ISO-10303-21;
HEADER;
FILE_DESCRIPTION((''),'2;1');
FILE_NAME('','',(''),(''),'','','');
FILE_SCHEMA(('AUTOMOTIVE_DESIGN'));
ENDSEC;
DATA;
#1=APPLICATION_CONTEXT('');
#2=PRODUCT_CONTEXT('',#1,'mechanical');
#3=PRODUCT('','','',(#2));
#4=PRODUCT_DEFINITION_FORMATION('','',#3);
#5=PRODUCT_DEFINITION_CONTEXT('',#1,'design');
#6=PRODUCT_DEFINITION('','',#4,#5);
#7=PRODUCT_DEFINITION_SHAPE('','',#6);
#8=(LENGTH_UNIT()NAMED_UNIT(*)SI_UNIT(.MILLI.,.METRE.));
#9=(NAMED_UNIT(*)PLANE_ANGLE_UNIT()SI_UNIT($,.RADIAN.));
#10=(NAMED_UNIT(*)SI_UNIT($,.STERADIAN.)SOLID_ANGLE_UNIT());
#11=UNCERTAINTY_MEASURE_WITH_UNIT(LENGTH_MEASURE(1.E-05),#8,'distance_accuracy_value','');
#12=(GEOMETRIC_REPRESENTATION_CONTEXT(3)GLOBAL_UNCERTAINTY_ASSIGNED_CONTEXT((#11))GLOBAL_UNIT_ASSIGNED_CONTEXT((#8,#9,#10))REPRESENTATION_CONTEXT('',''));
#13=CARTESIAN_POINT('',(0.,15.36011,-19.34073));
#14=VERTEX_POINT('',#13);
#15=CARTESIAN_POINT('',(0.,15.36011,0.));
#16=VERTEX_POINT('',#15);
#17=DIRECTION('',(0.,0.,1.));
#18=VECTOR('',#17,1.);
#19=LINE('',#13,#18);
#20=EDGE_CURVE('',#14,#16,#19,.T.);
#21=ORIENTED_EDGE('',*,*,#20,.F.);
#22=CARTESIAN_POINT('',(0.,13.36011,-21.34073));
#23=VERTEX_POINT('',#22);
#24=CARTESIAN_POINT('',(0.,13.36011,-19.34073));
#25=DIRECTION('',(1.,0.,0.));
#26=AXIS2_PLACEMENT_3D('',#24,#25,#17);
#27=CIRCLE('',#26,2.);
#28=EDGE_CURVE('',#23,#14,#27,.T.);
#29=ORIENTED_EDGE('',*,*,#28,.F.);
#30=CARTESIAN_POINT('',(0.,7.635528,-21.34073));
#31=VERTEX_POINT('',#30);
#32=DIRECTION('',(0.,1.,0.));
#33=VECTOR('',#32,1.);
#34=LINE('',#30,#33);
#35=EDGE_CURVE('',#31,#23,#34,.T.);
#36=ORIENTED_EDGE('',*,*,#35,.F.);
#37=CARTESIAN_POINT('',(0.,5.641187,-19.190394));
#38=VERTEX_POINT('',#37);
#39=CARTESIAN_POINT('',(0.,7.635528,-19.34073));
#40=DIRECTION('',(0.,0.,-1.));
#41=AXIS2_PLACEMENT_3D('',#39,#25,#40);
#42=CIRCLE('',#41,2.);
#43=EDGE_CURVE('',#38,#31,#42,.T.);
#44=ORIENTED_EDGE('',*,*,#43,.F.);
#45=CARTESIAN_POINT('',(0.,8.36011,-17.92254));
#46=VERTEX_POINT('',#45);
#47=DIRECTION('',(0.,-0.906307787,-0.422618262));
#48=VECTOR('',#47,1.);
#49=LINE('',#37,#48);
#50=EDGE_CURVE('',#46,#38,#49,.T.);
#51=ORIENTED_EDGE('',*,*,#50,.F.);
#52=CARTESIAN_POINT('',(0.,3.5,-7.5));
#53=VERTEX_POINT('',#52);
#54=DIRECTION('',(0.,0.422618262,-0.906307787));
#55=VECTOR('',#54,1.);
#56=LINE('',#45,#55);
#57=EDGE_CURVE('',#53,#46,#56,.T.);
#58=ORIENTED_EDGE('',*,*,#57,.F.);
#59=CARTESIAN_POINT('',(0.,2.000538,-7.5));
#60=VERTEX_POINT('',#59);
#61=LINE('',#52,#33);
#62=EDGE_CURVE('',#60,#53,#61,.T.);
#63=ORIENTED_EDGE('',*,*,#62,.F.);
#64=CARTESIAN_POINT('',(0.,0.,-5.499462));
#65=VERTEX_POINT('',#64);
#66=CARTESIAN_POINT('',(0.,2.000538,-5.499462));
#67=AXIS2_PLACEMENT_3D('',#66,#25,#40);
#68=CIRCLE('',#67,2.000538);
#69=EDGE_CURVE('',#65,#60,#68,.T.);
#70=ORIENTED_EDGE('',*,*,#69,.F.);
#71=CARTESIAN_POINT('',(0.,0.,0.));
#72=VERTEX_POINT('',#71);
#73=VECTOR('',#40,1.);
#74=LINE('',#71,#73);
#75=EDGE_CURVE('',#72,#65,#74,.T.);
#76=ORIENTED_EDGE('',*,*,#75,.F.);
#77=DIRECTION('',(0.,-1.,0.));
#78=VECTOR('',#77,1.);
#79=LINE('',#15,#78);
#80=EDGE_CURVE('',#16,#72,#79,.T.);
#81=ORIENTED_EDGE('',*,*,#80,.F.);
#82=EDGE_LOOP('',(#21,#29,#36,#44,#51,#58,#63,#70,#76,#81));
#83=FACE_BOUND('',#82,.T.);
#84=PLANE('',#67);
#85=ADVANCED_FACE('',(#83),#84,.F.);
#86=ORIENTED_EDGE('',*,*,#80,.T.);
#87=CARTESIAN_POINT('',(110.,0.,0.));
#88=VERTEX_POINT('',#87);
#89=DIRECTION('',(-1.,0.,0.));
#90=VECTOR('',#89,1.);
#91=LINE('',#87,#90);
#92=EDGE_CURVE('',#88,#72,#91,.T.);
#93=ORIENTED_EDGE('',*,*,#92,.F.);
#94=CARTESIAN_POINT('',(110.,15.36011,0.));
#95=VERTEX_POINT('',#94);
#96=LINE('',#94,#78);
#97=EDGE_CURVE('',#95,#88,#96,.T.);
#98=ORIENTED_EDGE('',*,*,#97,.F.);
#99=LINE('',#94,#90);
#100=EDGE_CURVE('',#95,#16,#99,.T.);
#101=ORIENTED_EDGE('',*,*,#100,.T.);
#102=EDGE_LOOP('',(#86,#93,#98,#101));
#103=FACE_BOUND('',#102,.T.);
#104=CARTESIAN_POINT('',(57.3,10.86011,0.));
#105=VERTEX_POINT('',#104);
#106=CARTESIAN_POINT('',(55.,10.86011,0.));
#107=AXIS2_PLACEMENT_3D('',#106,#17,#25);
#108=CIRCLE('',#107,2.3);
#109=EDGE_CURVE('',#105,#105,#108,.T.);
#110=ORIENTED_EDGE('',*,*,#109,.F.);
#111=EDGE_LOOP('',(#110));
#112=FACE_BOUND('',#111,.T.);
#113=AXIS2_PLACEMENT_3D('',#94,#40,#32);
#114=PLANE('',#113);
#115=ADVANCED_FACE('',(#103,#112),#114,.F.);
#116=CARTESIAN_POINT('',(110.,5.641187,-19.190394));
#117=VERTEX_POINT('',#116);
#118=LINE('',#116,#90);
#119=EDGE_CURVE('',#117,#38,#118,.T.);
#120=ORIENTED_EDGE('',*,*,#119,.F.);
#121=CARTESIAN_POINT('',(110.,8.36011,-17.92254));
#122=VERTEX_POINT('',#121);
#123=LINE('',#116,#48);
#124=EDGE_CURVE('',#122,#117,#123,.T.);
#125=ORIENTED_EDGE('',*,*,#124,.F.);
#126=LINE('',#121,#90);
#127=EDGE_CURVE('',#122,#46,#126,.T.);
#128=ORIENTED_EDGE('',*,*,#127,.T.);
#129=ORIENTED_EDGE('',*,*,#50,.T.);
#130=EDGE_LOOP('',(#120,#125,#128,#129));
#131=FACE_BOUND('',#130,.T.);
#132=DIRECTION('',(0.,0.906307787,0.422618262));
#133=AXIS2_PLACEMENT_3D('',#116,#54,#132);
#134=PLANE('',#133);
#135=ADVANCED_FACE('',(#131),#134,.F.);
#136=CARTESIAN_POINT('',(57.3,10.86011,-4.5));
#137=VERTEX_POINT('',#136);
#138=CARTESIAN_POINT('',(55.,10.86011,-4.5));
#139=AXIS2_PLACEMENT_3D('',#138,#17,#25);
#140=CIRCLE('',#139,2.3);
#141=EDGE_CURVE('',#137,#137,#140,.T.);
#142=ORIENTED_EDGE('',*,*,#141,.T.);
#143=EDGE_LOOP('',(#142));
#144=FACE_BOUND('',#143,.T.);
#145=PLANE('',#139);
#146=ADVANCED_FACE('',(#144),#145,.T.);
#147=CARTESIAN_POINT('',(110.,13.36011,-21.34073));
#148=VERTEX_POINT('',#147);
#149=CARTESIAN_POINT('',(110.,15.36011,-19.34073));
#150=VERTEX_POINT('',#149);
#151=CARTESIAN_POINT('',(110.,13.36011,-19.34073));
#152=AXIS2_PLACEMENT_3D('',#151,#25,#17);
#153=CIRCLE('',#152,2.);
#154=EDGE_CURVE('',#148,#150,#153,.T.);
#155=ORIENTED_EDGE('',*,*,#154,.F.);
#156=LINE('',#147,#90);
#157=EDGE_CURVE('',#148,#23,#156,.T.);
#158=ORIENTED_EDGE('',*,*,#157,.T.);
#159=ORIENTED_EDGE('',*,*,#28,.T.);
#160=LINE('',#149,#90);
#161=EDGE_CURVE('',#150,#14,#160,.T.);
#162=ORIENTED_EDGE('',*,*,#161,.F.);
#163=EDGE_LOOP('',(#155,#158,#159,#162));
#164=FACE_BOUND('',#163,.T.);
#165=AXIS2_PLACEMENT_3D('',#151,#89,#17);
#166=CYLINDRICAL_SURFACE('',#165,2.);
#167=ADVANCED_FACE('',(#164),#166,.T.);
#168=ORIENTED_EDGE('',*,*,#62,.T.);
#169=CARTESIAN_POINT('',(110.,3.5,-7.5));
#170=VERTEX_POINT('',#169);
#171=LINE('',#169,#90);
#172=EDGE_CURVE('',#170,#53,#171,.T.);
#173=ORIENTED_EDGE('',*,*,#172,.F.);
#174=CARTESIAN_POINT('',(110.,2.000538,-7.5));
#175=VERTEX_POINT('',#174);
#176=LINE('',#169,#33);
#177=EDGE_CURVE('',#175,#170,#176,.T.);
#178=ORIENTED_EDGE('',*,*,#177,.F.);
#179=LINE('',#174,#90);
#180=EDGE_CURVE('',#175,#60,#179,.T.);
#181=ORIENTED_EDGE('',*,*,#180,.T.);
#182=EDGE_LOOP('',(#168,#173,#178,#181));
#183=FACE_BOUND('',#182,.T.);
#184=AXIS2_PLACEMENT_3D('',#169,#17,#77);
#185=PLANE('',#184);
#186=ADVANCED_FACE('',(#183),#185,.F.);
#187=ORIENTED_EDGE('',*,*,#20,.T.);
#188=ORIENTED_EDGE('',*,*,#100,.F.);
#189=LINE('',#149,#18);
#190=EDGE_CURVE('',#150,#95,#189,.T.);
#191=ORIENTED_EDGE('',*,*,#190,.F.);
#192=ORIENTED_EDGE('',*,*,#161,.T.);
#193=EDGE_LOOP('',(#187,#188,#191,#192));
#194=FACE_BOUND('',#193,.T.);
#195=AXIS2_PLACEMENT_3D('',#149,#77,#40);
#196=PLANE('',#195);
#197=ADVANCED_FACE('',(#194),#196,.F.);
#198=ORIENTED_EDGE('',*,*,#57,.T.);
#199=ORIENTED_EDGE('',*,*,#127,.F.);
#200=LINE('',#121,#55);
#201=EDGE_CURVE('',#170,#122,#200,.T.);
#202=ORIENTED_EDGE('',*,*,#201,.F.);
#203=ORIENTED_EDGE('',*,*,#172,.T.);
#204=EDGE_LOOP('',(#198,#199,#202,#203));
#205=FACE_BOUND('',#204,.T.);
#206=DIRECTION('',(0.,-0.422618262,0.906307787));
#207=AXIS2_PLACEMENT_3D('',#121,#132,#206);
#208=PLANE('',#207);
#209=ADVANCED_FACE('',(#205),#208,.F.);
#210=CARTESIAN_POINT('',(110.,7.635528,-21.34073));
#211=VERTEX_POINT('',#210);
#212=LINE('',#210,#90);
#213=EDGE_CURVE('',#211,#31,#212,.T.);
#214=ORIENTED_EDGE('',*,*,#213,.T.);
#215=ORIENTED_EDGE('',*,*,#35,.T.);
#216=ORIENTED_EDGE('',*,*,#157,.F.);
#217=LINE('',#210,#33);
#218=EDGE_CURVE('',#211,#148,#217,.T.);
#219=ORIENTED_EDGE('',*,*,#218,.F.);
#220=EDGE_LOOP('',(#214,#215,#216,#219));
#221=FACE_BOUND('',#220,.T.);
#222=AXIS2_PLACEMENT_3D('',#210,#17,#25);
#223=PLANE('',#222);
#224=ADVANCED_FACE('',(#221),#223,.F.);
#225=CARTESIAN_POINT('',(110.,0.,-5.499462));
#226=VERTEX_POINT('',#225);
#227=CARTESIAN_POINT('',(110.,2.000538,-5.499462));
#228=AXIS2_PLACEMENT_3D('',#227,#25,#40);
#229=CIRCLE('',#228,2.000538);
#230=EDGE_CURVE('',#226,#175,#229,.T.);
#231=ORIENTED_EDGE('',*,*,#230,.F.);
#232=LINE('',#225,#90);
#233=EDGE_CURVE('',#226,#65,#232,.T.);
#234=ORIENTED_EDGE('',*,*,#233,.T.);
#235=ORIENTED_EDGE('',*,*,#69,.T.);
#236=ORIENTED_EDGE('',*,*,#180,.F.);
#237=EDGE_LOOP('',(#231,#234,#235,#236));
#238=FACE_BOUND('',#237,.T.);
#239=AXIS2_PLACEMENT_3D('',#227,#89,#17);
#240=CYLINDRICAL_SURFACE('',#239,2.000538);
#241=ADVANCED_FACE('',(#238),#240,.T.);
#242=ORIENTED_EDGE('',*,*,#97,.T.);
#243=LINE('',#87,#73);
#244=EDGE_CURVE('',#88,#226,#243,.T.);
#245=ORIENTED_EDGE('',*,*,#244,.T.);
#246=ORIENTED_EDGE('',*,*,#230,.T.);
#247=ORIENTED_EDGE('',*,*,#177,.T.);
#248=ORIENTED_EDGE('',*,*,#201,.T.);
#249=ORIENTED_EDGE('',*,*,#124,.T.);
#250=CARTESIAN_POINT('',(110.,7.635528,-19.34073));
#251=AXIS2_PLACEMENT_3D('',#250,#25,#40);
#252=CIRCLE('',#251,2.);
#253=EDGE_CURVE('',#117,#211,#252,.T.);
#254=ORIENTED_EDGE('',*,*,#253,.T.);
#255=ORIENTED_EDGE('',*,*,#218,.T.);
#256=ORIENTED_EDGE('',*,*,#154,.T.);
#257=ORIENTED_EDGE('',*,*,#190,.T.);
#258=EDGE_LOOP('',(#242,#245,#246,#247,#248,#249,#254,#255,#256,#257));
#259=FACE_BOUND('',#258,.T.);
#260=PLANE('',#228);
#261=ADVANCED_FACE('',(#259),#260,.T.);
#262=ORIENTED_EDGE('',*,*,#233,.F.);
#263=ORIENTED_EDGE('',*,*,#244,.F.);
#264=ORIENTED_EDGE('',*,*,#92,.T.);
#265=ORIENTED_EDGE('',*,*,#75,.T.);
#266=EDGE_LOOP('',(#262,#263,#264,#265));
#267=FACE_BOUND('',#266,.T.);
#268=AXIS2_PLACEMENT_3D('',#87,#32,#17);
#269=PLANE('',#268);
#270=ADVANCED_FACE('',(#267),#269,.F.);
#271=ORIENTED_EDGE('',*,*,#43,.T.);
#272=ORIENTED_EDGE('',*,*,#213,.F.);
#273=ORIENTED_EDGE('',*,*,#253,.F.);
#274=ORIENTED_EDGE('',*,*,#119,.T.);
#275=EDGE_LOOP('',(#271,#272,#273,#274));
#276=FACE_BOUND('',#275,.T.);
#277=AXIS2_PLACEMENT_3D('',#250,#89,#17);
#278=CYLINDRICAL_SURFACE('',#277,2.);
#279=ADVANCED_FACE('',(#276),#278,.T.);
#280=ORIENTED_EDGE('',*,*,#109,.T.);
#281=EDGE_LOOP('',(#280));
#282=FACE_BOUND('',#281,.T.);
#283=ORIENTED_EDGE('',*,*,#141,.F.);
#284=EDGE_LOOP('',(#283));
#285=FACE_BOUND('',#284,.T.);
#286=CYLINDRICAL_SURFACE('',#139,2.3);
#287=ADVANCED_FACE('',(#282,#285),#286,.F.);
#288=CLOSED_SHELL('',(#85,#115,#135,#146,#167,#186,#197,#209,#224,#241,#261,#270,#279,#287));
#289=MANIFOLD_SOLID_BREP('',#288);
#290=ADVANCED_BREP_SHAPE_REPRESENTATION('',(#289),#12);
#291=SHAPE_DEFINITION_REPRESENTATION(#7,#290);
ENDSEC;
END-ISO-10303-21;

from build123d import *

# Parameters (mm, degrees)
PROFILEBOSS_EXTRUDE1_DEPTH      = 110
SKETCH3_R                       = 2.3
MOUNTINGHOLESCUT_EXTRUDE3_DEPTH = 4.5


with BuildPart() as part:
    # Sketch1 → ProfileBoss-Extrude1 (new body)
    with BuildSketch(Plane(origin=(0, 0, 0), x_dir=(0, 0, -1), z_dir=(1, 0, 0))):
        with BuildLine():
            Line((0, 0), (5.499461553, 0))
            ThreePointArc((5.499461553, 0), (6.914055855, 0.585944145), (7.5, 2.000538447))
            Line((7.5, 2.000538447), (7.5, 3.5))
            Line((7.5, 3.5), (17.922539551, 8.36011001))
            Line((17.922539551, 8.36011001), (19.190394336, 5.641186649))
            ThreePointArc((19.190394336, 5.641186649), (20.700753359, 6.16912635), (21.340729536, 7.635528477))
            Line((21.340729536, 7.635528477), (21.340729536, 13.36011001))
            ThreePointArc((21.340729536, 13.36011001), (20.754943098, 14.774323572), (19.340729536, 15.36011001))
            Line((19.340729536, 15.36011001), (0, 15.36011001))
            Line((0, 15.36011001), (0, 0))
        make_face()
    extrude(amount=PROFILEBOSS_EXTRUDE1_DEPTH)

    # Sketch3 → MountingHolesCut-Extrude3 (cut)
    with BuildSketch(Plane.XY):
        with Locations((55, 10.86011001)):
            Circle(SKETCH3_R)
    extrude(amount=-MOUNTINGHOLESCUT_EXTRUDE3_DEPTH, mode=Mode.SUBTRACT)


solid = part.part
